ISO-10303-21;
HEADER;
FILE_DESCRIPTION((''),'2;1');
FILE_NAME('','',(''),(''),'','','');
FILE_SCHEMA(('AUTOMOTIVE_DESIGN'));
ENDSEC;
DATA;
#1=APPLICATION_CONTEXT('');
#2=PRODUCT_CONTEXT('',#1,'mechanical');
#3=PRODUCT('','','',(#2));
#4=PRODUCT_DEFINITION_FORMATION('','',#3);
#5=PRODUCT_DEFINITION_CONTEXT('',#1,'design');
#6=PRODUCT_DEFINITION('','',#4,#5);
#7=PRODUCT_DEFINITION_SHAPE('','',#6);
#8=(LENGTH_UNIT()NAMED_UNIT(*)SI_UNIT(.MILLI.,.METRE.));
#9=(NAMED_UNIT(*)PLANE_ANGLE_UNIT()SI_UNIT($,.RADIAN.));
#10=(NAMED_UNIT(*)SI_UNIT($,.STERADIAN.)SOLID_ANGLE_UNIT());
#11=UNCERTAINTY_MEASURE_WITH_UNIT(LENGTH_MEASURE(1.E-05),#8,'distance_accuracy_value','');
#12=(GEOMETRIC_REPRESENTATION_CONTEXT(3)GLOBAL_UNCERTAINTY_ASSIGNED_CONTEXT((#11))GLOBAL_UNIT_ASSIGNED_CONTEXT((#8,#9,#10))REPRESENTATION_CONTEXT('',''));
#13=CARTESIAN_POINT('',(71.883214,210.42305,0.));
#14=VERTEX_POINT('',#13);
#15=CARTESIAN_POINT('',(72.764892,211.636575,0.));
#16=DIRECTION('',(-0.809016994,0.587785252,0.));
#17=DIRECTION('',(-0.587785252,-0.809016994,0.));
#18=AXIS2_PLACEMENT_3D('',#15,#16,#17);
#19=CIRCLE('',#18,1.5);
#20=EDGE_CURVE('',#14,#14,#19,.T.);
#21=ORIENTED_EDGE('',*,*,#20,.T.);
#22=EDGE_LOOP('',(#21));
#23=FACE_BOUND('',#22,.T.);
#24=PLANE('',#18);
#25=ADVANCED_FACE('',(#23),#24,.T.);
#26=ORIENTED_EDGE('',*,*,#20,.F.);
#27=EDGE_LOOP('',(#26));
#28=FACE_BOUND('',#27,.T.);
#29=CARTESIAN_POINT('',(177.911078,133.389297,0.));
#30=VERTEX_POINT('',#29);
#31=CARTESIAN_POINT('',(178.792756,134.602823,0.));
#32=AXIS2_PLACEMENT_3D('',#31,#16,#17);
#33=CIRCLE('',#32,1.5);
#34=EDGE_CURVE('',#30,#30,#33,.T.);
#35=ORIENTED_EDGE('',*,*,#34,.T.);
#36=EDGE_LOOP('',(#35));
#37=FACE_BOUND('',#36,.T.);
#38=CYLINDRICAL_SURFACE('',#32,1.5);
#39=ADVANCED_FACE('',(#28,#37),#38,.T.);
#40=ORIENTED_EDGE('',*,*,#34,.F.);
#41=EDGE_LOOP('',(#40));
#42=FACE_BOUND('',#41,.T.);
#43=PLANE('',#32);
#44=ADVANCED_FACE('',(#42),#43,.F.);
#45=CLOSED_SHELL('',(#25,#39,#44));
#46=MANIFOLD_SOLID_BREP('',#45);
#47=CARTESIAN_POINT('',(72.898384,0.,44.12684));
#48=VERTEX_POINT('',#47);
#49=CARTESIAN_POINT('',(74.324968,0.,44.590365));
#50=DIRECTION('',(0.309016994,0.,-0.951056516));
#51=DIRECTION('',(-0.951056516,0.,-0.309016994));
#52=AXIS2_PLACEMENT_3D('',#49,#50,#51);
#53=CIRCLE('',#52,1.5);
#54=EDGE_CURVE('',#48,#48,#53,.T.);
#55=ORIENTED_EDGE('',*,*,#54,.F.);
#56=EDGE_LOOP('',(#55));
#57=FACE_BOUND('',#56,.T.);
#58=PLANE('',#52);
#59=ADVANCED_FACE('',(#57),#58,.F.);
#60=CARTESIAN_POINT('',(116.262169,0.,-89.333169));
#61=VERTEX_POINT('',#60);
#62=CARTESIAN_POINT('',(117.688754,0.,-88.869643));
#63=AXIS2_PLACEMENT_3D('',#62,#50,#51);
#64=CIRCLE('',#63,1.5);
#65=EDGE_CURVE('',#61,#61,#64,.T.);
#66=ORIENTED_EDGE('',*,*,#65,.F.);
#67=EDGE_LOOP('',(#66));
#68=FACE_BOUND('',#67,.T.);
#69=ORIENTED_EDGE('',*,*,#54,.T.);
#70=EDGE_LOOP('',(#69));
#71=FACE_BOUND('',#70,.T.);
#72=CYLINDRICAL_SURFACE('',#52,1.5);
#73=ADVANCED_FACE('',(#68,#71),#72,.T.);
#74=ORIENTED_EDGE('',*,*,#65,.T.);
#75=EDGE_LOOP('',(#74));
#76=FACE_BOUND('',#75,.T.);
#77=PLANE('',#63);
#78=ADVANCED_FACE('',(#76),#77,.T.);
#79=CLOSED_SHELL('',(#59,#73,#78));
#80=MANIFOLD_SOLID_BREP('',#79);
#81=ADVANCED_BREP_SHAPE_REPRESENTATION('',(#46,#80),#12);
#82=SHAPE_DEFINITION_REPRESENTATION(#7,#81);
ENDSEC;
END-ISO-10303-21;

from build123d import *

# Parameters (mm, degrees)
SKETCH3_R = 1.5
SKETCH5_R = 1.5


with BuildPart() as part:
    # Sweep1: sweep along a path in Sketch2
    with BuildLine(Plane.XY) as sweep1_path:
        Line((178.792755757, 134.602822775), (72.764891712, 211.636575157))
    # Sketch3 → Sweep1 (sweep)
    with BuildSketch(Plane(origin=(72.764891712, 211.636575157, 0), x_dir=(0, 0, 1), z_dir=(-0.8090169943749471, 0.5877852522924736, 0))):
        Circle(SKETCH3_R)
    sweep(path=sweep1_path.line)


with BuildPart() as body_2:
    # Sweep2: sweep along a path in Sketch4
    with BuildLine(Plane(origin=(0, 0, 0), x_dir=(1, 0, 0), z_dir=(0, 1, 0))) as sweep2_path:
        Line((74.3249684, -44.590365223), (117.688753795, 88.869643197))
    # Sketch5 → Sweep2 (sweep)
    with BuildSketch(Plane(origin=(74.3249684, 0, 44.590365223), x_dir=(-0.9510565162951571, 0, -0.3090169943749368), z_dir=(0.3090169943749368, 0, -0.9510565162951571))):
        Circle(SKETCH5_R)
    sweep(path=sweep2_path.line)


solid = Compound([part.part, body_2.part])
